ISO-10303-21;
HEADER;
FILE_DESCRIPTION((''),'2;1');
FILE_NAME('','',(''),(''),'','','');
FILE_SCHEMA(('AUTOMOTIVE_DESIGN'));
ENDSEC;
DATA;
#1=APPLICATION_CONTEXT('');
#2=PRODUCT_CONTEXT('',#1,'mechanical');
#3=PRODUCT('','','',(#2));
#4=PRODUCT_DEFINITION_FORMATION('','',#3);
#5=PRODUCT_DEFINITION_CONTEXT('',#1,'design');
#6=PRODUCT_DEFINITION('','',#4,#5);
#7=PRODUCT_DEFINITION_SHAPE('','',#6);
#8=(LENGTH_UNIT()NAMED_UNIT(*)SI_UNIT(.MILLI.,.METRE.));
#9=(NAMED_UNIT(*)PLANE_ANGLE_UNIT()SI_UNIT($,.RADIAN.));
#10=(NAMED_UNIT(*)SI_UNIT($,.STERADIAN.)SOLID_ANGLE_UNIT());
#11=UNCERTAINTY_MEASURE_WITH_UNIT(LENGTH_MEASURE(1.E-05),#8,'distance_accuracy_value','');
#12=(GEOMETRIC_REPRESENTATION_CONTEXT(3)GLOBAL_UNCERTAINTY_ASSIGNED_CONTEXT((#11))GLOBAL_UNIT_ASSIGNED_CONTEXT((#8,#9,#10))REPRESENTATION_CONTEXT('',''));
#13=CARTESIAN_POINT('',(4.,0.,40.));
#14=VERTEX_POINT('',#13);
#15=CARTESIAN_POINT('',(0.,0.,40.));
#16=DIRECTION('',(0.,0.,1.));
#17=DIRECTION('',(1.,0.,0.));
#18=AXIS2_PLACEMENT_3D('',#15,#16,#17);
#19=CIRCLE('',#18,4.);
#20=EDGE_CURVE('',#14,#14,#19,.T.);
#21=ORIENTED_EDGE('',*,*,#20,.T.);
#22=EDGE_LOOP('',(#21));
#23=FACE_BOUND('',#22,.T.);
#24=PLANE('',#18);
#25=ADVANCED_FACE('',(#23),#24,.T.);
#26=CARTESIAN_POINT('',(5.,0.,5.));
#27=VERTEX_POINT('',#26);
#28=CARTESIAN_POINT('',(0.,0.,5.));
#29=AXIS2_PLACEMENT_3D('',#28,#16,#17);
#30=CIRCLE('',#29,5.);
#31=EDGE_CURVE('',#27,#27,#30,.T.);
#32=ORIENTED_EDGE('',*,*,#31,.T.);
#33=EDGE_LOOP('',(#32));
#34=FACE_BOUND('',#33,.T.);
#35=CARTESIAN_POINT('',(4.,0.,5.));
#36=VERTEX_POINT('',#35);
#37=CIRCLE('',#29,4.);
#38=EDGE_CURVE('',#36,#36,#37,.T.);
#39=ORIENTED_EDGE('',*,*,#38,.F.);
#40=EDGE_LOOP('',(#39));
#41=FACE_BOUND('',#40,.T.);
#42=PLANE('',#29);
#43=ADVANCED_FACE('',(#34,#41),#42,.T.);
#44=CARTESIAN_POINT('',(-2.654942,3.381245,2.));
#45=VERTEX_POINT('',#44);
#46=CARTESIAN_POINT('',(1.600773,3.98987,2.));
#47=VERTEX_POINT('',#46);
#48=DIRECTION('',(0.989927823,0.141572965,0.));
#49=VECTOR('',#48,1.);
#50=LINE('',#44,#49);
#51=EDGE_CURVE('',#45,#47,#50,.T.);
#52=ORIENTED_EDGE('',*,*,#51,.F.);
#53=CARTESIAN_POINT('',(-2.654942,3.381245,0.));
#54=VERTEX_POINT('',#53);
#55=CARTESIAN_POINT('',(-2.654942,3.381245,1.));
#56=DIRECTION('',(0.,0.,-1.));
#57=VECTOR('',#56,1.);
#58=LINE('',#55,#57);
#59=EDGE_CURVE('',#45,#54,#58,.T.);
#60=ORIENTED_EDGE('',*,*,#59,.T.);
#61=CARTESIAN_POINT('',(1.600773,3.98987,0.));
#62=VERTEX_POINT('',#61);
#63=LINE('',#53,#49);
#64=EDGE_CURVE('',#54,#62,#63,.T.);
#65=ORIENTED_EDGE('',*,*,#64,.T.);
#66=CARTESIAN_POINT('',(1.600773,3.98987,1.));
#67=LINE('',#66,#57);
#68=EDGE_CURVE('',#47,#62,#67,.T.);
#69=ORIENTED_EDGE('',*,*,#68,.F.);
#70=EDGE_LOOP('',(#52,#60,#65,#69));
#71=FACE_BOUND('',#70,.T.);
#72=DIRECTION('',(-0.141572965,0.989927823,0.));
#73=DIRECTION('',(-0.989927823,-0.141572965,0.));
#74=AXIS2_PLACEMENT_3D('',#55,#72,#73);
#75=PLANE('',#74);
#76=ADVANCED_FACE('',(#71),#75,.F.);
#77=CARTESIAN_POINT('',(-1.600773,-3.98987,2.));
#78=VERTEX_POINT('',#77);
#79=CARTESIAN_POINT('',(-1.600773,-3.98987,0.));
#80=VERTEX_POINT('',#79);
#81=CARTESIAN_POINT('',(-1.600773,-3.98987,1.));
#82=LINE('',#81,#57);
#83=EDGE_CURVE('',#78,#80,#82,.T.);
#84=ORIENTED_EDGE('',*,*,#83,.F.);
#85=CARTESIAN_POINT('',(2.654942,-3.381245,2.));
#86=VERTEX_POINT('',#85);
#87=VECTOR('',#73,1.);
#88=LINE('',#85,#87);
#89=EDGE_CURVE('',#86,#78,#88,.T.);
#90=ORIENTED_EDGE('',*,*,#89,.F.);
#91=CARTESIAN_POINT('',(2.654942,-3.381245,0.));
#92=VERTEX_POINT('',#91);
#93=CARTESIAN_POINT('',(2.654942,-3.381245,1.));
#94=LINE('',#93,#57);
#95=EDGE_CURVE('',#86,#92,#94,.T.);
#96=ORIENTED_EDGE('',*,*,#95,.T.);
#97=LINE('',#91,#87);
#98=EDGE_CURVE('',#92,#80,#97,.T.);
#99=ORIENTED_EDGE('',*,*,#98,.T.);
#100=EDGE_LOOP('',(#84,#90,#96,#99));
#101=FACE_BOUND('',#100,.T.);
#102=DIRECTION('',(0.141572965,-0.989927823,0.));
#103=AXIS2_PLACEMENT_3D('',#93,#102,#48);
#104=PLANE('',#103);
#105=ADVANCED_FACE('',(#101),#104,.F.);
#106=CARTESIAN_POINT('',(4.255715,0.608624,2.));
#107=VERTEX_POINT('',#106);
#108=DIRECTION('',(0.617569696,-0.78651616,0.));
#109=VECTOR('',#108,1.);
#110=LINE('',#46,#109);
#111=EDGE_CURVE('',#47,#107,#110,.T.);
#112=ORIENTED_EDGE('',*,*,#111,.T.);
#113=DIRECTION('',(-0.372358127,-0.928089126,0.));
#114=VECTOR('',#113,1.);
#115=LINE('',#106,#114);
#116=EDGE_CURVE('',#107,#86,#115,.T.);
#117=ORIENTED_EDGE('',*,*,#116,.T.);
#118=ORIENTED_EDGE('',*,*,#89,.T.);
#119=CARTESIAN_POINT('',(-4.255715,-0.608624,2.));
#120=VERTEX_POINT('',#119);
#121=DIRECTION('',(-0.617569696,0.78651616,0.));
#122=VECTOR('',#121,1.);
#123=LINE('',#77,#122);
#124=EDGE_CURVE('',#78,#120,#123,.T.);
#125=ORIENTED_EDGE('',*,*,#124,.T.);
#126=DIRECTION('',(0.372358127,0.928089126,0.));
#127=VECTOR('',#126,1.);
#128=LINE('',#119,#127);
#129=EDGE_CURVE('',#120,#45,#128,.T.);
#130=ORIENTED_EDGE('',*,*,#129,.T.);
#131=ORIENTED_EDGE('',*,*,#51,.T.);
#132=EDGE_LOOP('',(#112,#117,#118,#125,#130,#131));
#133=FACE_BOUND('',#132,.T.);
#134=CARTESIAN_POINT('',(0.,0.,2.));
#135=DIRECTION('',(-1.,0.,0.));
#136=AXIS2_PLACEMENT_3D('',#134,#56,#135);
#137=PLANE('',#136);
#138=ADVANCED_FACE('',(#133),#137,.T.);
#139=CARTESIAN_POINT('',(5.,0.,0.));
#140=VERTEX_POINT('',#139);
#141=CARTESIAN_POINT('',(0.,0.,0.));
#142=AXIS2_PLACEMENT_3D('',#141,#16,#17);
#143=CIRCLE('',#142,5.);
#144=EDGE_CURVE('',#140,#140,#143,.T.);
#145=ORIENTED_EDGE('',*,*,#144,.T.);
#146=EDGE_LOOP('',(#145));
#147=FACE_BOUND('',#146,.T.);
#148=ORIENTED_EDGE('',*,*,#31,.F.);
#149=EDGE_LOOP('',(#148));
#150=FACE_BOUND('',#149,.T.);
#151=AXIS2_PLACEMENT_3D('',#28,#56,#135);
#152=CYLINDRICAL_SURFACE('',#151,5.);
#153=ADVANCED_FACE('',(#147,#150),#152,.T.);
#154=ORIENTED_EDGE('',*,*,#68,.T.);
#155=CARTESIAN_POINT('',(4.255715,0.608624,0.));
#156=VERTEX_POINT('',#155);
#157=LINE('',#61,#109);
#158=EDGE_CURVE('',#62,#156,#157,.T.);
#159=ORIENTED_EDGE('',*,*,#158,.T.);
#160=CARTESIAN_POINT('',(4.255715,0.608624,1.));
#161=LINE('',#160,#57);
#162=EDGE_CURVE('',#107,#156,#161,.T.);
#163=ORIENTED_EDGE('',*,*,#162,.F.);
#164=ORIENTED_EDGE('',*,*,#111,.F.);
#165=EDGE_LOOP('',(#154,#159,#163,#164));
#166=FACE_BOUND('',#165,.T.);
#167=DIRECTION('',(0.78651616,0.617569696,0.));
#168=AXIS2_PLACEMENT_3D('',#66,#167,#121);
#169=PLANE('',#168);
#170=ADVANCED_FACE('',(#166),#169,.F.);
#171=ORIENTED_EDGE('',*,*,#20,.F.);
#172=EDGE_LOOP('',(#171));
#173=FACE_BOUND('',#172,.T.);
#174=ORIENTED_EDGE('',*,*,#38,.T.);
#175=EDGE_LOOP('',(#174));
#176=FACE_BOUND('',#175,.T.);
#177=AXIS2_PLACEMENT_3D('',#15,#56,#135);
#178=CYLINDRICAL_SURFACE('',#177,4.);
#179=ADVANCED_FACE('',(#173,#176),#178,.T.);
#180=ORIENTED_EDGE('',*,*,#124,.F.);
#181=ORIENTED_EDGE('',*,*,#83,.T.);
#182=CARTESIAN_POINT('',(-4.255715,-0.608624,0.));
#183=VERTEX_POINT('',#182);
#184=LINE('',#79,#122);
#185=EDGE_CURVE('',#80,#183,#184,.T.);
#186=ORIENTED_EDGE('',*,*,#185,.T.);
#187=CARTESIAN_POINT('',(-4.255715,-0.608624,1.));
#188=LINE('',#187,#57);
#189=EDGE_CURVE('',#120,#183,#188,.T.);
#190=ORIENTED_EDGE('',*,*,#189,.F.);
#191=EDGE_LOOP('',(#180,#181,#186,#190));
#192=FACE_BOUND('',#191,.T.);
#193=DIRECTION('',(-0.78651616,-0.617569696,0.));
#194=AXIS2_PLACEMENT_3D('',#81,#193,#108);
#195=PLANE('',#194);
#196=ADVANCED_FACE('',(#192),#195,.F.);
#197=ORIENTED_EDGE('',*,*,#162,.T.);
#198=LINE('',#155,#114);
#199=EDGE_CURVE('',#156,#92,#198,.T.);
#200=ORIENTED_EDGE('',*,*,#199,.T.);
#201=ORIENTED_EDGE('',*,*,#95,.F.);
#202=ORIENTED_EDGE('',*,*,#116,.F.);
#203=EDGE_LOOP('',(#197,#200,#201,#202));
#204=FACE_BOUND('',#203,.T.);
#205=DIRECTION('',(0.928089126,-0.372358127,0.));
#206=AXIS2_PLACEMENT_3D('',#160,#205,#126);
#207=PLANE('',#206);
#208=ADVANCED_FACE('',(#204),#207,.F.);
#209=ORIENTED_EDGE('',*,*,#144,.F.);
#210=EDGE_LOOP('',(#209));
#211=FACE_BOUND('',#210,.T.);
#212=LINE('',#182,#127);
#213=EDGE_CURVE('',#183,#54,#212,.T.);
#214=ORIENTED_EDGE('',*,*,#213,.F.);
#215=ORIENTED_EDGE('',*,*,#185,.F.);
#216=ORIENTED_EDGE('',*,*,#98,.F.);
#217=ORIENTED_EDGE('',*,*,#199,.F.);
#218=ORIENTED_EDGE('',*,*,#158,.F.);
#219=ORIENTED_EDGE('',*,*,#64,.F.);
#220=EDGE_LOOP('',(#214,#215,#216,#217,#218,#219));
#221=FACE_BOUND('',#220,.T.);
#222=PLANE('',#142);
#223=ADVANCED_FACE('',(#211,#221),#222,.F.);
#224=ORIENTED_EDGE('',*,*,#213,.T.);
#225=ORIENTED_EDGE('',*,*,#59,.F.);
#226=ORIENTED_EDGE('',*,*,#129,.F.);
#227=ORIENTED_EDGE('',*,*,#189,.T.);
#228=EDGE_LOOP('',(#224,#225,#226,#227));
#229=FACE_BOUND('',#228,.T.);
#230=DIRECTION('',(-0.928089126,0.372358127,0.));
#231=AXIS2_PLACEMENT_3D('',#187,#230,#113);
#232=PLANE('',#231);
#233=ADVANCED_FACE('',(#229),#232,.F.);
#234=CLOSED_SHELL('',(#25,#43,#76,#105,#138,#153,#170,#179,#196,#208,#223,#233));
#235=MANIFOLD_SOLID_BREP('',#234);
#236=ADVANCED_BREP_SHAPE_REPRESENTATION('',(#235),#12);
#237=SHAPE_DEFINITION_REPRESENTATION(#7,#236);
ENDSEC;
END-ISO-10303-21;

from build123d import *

# Parameters (mm, degrees)
SKETCH1_R           = 4
BOSS_EXTRUDE1_DEPTH = 40
SKETCH1_5_R         = 5
SKETCH1_5_R_2       = 4
BOSS_EXTRUDE2_DEPTH = 5
CUT_EXTRUDE3_DEPTH  = 1
CUT_EXTRUDE4_DEPTH  = 2


with BuildPart() as part:
    # Sketch1 → Boss-Extrude1 (new body)
    with BuildSketch(Plane.XY):
        Circle(SKETCH1_R)
    extrude(amount=BOSS_EXTRUDE1_DEPTH)

    # Sketch1<5> → Boss-Extrude2 (add)
    with BuildSketch(Plane.XY):
        Circle(SKETCH1_5_R)
        Circle(SKETCH1_5_R_2, mode=Mode.SUBTRACT)
    extrude(amount=BOSS_EXTRUDE2_DEPTH)

    # Sketch2 → Cut-Extrude3 (cut)
    with BuildSketch(Plane(origin=(0, 0, 0), x_dir=(-1, 0, 0), z_dir=(0, 0, -1))):
        Polygon((-1.600773397, 3.989869624), (-4.255715151, 0.608624385), (-2.654941754, -3.38124524), (1.600773397, -3.989869624), (4.255715151, -0.608624385), (2.654941754, 3.38124524), align=None)
    extrude(amount=-CUT_EXTRUDE3_DEPTH, mode=Mode.SUBTRACT)

    # Sketch2<2> → Cut-Extrude4 (cut)
    with BuildSketch(Plane(origin=(0, 0, 0), x_dir=(-1, 0, 0), z_dir=(0, 0, -1))):
        Polygon((-1.600773397, 3.989869624), (-4.255715151, 0.608624385), (-2.654941754, -3.38124524), (1.600773397, -3.989869624), (4.255715151, -0.608624385), (2.654941754, 3.38124524), align=None)
    extrude(amount=-CUT_EXTRUDE4_DEPTH, mode=Mode.SUBTRACT)


solid = part.part
